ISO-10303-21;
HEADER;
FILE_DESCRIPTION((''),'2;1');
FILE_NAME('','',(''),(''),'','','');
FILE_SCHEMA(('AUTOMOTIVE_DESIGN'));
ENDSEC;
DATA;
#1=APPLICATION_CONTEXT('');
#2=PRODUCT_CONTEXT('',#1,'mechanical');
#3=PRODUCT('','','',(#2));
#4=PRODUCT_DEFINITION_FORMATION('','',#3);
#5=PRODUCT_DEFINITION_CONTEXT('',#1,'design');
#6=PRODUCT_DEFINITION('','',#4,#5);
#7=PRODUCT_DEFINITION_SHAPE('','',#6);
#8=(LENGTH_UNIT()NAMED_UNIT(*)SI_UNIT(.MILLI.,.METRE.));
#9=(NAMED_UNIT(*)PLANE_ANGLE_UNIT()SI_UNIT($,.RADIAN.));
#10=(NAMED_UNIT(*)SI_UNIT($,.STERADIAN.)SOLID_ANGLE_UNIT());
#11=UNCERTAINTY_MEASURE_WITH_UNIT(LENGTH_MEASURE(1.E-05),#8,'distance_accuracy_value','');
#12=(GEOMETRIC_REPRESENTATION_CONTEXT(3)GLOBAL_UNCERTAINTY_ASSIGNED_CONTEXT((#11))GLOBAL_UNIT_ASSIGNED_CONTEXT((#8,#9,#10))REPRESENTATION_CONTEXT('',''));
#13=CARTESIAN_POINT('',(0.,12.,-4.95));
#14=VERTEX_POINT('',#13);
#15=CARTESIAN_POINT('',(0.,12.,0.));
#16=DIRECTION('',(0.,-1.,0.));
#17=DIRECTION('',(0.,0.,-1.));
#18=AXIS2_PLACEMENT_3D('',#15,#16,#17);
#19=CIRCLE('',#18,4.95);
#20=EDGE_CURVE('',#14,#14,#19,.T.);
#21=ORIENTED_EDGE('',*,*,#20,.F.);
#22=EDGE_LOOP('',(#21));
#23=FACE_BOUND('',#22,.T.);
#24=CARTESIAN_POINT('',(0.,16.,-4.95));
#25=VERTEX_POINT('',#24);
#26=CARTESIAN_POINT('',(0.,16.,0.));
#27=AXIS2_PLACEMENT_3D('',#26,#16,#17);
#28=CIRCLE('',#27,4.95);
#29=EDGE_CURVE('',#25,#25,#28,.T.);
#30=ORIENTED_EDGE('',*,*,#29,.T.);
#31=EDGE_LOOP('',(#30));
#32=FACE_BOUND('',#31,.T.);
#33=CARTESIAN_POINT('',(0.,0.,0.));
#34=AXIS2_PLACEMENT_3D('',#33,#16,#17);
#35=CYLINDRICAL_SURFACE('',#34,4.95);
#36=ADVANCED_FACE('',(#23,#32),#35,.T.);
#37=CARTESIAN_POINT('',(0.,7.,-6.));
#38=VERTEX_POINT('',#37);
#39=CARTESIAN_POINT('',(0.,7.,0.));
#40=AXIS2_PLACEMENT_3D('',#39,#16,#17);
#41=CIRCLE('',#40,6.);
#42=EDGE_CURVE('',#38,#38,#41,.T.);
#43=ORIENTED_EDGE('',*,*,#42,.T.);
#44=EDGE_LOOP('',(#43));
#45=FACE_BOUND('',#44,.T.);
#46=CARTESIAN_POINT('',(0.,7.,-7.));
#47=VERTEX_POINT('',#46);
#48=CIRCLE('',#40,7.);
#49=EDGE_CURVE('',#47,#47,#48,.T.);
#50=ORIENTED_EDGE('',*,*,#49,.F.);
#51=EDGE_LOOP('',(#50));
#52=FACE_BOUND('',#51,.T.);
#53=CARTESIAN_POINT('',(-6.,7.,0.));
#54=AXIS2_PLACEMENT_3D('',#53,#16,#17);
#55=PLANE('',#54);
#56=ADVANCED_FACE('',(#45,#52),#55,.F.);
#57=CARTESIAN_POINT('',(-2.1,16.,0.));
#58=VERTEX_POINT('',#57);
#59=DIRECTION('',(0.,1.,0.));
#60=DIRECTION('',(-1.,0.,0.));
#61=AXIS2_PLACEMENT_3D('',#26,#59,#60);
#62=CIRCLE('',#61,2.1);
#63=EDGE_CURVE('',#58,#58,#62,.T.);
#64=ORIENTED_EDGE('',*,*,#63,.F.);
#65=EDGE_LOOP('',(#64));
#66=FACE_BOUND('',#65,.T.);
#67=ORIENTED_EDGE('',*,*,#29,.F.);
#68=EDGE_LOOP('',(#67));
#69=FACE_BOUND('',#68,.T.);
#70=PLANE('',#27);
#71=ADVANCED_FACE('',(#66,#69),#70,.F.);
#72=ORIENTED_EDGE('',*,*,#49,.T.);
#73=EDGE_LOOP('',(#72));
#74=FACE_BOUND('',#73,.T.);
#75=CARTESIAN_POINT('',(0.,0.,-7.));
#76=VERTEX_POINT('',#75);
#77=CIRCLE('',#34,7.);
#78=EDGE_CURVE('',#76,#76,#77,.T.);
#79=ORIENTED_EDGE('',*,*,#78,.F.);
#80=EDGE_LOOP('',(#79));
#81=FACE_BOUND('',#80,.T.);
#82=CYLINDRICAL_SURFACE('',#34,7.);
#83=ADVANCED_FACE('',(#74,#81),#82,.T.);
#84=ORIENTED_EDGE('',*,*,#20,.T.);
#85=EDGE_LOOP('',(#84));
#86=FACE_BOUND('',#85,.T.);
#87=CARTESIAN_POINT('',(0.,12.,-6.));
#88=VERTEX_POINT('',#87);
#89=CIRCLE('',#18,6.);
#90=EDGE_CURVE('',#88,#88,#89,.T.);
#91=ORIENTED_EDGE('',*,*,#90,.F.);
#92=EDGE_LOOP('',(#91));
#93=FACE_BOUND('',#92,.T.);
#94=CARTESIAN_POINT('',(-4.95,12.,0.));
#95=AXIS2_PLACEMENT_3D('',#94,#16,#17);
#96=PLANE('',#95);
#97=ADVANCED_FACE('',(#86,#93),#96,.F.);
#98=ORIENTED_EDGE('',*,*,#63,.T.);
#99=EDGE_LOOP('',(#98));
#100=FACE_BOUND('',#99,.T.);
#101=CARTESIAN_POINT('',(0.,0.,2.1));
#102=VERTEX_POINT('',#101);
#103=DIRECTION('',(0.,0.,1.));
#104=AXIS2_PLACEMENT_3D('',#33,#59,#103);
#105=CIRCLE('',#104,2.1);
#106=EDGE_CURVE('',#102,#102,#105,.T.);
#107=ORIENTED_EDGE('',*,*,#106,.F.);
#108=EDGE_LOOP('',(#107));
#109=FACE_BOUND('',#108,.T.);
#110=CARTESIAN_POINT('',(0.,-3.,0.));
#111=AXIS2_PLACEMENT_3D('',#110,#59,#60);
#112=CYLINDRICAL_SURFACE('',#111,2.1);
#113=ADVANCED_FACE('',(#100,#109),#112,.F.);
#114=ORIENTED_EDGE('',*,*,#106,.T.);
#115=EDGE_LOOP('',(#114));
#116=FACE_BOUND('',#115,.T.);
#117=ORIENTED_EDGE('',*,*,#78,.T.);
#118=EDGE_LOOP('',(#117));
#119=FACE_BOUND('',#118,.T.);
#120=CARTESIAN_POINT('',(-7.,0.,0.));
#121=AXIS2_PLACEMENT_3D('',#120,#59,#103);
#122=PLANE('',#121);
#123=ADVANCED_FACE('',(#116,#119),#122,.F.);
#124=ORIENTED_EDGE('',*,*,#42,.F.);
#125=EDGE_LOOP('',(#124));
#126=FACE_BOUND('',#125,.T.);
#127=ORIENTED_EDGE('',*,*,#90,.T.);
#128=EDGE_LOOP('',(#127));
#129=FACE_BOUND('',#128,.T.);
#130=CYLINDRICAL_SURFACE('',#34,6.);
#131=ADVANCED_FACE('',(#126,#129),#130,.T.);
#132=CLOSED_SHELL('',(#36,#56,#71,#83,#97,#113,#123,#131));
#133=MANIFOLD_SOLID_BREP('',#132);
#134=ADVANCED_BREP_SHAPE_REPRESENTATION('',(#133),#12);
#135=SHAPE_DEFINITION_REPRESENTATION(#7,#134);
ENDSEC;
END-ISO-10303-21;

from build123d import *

# Parameters (mm, degrees)
SKETCH_2_R          = 2.1
CUT_EXTRUDE_1_DEPTH = 19


with BuildPart() as part:
    # 草图1 → 旋转1 (revolve)
    with BuildSketch(Plane.XY, mode=Mode.PRIVATE) as revolve_1_sk:
        Polygon((0, 0), (0, 16), (-4.95, 16), (-4.95, 12), (-6, 12), (-6, 7), (-7, 7), (-7, 0), align=None)
    revolve(revolve_1_sk.sketch.rotate(Axis((0, 0, 0), (0, 1, 0)), 270), axis=Axis((0, 0, 0), (0, 1, 0)))

    # 草图2 → 切除-拉伸1 (cut)
    with BuildSketch(Plane(origin=(0, 16, 0), x_dir=(1, 0, 0), z_dir=(0, 1, 0))):
        with Locations(Location((0, 0, 0), (0, 0, 180))):
            Circle(SKETCH_2_R)
    extrude(amount=-CUT_EXTRUDE_1_DEPTH, mode=Mode.SUBTRACT)


solid = part.part
